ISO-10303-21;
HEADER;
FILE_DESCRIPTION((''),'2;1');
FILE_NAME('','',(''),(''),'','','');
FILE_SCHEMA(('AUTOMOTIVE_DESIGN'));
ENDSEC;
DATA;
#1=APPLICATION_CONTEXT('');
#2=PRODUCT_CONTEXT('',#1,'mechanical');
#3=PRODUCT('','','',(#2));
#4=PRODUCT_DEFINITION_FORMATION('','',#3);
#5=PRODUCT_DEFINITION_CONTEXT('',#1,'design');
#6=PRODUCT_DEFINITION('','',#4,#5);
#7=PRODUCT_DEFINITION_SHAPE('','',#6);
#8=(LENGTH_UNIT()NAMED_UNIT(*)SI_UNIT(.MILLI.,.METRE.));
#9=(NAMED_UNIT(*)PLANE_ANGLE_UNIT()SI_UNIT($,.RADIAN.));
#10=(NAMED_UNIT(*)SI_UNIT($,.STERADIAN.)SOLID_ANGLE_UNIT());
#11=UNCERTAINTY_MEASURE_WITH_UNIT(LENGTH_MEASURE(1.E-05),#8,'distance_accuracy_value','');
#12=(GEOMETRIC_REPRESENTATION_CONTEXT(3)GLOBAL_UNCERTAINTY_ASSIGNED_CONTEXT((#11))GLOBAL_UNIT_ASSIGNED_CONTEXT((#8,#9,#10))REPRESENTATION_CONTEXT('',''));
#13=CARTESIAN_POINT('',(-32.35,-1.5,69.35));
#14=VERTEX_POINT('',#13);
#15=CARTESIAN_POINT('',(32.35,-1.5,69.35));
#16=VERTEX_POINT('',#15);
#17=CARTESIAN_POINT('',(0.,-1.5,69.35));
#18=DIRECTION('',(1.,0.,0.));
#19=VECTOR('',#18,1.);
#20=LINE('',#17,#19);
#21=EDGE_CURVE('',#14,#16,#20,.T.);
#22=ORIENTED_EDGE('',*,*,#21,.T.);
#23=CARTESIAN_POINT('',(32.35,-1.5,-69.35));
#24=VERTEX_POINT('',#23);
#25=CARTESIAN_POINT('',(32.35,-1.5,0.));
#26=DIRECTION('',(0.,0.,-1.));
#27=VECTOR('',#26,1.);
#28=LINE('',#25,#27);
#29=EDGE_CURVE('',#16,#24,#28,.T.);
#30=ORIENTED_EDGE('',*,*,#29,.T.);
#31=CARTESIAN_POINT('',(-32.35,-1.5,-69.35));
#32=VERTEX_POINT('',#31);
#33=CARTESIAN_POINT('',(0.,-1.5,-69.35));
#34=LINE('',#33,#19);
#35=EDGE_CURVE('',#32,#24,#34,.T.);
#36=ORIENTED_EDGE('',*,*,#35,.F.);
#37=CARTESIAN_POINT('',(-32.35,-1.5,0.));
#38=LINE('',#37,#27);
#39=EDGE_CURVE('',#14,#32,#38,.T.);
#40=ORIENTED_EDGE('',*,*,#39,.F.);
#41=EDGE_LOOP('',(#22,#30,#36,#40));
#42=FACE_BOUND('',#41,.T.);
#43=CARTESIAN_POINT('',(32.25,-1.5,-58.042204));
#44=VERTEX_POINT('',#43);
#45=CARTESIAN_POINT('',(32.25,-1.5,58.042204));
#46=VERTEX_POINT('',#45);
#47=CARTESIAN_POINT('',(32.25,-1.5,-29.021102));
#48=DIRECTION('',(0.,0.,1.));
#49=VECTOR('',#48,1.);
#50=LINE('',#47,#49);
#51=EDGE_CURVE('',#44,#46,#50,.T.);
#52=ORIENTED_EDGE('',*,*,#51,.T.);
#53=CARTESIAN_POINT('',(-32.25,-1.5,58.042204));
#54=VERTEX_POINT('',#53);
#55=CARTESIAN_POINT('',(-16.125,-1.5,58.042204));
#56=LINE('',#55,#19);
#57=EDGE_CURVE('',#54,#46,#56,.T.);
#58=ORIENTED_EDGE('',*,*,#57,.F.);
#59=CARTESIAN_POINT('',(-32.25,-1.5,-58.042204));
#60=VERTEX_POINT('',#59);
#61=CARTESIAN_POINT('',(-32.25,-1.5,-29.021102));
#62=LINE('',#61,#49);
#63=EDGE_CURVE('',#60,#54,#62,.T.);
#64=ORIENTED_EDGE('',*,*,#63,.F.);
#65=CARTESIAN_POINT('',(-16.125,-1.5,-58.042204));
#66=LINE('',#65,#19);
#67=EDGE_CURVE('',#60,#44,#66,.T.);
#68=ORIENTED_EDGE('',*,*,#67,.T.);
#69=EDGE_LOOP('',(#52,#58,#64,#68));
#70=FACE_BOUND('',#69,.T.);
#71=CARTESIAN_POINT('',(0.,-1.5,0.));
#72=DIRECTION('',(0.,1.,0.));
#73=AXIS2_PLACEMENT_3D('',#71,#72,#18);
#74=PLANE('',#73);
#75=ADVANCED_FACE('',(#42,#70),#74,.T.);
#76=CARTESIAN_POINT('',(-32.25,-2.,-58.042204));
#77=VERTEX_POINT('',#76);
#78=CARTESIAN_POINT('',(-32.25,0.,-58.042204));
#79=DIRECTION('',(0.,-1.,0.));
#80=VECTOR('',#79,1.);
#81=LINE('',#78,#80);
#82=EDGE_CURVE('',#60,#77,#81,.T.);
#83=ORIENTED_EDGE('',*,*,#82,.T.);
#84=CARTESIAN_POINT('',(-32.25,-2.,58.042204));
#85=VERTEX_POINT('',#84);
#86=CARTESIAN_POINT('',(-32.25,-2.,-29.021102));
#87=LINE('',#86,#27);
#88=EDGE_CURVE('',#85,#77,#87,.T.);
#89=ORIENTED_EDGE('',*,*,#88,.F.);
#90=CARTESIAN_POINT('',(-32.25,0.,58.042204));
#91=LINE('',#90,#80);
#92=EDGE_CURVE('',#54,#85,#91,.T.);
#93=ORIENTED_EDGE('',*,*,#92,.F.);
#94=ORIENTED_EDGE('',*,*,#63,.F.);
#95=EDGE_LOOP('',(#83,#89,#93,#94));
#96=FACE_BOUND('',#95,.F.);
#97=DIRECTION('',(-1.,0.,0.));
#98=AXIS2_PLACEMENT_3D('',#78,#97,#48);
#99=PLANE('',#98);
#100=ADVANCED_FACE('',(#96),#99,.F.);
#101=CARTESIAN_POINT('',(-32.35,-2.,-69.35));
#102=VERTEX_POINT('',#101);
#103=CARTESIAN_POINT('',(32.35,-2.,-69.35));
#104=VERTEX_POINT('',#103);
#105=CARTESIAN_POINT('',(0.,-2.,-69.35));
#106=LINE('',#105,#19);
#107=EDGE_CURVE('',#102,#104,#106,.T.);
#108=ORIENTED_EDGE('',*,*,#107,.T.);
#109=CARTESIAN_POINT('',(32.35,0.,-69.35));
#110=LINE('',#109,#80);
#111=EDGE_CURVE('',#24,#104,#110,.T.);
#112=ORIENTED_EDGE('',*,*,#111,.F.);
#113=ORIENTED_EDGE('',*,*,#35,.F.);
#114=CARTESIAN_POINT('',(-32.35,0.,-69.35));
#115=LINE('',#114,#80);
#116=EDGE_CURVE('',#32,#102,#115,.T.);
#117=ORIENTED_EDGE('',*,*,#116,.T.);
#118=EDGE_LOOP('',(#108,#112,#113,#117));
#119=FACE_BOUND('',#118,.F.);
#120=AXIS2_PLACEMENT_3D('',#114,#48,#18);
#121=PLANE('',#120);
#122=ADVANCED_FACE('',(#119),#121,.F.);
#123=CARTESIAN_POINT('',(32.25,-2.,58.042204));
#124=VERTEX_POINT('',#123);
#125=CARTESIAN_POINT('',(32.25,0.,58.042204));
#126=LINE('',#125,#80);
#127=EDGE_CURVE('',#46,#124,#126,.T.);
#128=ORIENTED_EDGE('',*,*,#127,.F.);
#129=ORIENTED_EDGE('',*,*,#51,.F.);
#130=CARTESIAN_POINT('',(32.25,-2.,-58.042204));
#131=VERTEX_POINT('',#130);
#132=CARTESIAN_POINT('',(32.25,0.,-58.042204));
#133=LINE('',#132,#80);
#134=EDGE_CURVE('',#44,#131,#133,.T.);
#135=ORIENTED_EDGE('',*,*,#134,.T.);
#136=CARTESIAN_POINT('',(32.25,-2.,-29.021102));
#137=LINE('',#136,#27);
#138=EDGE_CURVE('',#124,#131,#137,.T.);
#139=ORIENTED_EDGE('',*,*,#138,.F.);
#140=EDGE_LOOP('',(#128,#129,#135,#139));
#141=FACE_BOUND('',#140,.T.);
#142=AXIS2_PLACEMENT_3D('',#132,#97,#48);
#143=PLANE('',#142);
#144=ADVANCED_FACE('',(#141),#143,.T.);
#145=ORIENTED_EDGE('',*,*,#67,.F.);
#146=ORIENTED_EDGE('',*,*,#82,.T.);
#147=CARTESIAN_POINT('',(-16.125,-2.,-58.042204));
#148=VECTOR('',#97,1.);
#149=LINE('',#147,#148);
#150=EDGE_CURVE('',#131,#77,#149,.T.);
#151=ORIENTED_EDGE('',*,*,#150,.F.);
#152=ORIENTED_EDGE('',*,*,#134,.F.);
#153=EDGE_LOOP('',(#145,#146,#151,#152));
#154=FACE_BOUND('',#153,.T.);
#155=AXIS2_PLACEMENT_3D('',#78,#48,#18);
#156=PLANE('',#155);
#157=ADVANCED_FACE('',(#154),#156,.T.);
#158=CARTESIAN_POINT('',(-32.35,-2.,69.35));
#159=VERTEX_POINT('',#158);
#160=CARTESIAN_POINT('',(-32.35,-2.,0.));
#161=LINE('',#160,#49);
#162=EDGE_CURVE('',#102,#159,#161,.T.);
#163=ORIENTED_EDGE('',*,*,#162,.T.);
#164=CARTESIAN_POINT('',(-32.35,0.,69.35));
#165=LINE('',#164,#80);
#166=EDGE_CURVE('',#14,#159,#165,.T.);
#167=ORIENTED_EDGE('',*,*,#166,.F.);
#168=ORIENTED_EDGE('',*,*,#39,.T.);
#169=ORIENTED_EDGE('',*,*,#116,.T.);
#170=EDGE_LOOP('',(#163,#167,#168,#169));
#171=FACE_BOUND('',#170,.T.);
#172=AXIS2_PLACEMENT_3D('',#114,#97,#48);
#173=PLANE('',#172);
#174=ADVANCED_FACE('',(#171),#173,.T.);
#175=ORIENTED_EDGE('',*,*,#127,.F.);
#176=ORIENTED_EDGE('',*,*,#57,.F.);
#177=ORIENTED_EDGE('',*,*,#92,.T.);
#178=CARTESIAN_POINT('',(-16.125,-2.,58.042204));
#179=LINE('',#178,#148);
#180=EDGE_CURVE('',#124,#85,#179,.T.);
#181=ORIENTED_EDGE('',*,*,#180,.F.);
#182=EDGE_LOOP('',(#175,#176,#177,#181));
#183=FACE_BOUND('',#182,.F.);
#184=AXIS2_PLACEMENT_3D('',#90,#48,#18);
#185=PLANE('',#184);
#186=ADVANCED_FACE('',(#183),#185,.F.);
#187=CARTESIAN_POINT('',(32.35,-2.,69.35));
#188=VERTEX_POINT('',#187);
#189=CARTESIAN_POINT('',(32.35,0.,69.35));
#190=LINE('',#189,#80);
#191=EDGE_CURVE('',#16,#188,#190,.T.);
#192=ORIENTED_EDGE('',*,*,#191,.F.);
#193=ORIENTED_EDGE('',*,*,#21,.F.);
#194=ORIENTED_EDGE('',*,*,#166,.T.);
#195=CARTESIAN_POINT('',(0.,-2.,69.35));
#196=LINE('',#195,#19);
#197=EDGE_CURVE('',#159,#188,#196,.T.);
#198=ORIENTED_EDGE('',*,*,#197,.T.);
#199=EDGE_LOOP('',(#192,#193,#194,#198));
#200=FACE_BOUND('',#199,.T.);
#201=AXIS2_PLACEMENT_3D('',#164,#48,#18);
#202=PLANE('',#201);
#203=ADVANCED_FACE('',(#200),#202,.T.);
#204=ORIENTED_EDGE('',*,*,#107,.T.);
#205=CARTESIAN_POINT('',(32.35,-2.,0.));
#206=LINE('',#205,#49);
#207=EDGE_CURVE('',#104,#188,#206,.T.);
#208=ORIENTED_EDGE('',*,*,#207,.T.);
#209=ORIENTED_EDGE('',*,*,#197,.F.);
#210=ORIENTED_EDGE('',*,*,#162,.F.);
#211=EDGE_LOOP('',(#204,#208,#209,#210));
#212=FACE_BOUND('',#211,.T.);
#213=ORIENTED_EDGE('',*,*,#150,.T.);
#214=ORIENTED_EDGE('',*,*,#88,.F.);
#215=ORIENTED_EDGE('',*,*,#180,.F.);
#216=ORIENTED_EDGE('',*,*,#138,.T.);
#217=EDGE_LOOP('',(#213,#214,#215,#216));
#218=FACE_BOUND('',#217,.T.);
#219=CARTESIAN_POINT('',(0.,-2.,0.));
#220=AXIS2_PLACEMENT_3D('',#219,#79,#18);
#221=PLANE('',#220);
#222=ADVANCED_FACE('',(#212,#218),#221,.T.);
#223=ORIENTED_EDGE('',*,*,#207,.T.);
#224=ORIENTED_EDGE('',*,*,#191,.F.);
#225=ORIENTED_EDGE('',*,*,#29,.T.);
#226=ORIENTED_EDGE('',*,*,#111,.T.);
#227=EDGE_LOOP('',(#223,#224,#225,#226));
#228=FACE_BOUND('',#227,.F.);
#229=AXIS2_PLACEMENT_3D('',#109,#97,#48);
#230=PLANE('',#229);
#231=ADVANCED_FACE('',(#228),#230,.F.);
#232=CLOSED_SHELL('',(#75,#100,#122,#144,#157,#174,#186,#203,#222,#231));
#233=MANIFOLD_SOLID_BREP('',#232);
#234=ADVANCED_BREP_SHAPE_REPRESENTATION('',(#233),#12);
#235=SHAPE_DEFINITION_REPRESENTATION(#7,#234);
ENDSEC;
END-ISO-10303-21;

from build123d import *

# Parameters (mm, degrees)
F0_W      = 64.7
F0_H      = 138.7
F1_DEPTH  = 2
F1_FACE_W = 64.7
F1_FACE_H = 138.7
F2_DEPTH  = 1.5
F3_W      = 64.5
F3_H      = 116.084408
F4_DEPTH  = 43.240232


with BuildPart() as f1:
    # F0 (on Front) → F1 (new body)
    with BuildSketch(Plane.XZ):
        Rectangle(F0_W, F0_H)
    extrude(amount=F1_DEPTH)

    # F1_face (on face) → F2 (cut)
    with BuildSketch(Plane(origin=(0, 0, 0), x_dir=(1, 0, 0), z_dir=(0, 1, 0))):
        Rectangle(F1_FACE_W, F1_FACE_H)
    extrude(amount=-F2_DEPTH, mode=Mode.SUBTRACT)

    # F3 (on Front) → F4 (cut)
    with BuildSketch(Plane.XZ):
        Rectangle(F3_W, F3_H)
    extrude(amount=F4_DEPTH, mode=Mode.SUBTRACT)


solid = f1.part
